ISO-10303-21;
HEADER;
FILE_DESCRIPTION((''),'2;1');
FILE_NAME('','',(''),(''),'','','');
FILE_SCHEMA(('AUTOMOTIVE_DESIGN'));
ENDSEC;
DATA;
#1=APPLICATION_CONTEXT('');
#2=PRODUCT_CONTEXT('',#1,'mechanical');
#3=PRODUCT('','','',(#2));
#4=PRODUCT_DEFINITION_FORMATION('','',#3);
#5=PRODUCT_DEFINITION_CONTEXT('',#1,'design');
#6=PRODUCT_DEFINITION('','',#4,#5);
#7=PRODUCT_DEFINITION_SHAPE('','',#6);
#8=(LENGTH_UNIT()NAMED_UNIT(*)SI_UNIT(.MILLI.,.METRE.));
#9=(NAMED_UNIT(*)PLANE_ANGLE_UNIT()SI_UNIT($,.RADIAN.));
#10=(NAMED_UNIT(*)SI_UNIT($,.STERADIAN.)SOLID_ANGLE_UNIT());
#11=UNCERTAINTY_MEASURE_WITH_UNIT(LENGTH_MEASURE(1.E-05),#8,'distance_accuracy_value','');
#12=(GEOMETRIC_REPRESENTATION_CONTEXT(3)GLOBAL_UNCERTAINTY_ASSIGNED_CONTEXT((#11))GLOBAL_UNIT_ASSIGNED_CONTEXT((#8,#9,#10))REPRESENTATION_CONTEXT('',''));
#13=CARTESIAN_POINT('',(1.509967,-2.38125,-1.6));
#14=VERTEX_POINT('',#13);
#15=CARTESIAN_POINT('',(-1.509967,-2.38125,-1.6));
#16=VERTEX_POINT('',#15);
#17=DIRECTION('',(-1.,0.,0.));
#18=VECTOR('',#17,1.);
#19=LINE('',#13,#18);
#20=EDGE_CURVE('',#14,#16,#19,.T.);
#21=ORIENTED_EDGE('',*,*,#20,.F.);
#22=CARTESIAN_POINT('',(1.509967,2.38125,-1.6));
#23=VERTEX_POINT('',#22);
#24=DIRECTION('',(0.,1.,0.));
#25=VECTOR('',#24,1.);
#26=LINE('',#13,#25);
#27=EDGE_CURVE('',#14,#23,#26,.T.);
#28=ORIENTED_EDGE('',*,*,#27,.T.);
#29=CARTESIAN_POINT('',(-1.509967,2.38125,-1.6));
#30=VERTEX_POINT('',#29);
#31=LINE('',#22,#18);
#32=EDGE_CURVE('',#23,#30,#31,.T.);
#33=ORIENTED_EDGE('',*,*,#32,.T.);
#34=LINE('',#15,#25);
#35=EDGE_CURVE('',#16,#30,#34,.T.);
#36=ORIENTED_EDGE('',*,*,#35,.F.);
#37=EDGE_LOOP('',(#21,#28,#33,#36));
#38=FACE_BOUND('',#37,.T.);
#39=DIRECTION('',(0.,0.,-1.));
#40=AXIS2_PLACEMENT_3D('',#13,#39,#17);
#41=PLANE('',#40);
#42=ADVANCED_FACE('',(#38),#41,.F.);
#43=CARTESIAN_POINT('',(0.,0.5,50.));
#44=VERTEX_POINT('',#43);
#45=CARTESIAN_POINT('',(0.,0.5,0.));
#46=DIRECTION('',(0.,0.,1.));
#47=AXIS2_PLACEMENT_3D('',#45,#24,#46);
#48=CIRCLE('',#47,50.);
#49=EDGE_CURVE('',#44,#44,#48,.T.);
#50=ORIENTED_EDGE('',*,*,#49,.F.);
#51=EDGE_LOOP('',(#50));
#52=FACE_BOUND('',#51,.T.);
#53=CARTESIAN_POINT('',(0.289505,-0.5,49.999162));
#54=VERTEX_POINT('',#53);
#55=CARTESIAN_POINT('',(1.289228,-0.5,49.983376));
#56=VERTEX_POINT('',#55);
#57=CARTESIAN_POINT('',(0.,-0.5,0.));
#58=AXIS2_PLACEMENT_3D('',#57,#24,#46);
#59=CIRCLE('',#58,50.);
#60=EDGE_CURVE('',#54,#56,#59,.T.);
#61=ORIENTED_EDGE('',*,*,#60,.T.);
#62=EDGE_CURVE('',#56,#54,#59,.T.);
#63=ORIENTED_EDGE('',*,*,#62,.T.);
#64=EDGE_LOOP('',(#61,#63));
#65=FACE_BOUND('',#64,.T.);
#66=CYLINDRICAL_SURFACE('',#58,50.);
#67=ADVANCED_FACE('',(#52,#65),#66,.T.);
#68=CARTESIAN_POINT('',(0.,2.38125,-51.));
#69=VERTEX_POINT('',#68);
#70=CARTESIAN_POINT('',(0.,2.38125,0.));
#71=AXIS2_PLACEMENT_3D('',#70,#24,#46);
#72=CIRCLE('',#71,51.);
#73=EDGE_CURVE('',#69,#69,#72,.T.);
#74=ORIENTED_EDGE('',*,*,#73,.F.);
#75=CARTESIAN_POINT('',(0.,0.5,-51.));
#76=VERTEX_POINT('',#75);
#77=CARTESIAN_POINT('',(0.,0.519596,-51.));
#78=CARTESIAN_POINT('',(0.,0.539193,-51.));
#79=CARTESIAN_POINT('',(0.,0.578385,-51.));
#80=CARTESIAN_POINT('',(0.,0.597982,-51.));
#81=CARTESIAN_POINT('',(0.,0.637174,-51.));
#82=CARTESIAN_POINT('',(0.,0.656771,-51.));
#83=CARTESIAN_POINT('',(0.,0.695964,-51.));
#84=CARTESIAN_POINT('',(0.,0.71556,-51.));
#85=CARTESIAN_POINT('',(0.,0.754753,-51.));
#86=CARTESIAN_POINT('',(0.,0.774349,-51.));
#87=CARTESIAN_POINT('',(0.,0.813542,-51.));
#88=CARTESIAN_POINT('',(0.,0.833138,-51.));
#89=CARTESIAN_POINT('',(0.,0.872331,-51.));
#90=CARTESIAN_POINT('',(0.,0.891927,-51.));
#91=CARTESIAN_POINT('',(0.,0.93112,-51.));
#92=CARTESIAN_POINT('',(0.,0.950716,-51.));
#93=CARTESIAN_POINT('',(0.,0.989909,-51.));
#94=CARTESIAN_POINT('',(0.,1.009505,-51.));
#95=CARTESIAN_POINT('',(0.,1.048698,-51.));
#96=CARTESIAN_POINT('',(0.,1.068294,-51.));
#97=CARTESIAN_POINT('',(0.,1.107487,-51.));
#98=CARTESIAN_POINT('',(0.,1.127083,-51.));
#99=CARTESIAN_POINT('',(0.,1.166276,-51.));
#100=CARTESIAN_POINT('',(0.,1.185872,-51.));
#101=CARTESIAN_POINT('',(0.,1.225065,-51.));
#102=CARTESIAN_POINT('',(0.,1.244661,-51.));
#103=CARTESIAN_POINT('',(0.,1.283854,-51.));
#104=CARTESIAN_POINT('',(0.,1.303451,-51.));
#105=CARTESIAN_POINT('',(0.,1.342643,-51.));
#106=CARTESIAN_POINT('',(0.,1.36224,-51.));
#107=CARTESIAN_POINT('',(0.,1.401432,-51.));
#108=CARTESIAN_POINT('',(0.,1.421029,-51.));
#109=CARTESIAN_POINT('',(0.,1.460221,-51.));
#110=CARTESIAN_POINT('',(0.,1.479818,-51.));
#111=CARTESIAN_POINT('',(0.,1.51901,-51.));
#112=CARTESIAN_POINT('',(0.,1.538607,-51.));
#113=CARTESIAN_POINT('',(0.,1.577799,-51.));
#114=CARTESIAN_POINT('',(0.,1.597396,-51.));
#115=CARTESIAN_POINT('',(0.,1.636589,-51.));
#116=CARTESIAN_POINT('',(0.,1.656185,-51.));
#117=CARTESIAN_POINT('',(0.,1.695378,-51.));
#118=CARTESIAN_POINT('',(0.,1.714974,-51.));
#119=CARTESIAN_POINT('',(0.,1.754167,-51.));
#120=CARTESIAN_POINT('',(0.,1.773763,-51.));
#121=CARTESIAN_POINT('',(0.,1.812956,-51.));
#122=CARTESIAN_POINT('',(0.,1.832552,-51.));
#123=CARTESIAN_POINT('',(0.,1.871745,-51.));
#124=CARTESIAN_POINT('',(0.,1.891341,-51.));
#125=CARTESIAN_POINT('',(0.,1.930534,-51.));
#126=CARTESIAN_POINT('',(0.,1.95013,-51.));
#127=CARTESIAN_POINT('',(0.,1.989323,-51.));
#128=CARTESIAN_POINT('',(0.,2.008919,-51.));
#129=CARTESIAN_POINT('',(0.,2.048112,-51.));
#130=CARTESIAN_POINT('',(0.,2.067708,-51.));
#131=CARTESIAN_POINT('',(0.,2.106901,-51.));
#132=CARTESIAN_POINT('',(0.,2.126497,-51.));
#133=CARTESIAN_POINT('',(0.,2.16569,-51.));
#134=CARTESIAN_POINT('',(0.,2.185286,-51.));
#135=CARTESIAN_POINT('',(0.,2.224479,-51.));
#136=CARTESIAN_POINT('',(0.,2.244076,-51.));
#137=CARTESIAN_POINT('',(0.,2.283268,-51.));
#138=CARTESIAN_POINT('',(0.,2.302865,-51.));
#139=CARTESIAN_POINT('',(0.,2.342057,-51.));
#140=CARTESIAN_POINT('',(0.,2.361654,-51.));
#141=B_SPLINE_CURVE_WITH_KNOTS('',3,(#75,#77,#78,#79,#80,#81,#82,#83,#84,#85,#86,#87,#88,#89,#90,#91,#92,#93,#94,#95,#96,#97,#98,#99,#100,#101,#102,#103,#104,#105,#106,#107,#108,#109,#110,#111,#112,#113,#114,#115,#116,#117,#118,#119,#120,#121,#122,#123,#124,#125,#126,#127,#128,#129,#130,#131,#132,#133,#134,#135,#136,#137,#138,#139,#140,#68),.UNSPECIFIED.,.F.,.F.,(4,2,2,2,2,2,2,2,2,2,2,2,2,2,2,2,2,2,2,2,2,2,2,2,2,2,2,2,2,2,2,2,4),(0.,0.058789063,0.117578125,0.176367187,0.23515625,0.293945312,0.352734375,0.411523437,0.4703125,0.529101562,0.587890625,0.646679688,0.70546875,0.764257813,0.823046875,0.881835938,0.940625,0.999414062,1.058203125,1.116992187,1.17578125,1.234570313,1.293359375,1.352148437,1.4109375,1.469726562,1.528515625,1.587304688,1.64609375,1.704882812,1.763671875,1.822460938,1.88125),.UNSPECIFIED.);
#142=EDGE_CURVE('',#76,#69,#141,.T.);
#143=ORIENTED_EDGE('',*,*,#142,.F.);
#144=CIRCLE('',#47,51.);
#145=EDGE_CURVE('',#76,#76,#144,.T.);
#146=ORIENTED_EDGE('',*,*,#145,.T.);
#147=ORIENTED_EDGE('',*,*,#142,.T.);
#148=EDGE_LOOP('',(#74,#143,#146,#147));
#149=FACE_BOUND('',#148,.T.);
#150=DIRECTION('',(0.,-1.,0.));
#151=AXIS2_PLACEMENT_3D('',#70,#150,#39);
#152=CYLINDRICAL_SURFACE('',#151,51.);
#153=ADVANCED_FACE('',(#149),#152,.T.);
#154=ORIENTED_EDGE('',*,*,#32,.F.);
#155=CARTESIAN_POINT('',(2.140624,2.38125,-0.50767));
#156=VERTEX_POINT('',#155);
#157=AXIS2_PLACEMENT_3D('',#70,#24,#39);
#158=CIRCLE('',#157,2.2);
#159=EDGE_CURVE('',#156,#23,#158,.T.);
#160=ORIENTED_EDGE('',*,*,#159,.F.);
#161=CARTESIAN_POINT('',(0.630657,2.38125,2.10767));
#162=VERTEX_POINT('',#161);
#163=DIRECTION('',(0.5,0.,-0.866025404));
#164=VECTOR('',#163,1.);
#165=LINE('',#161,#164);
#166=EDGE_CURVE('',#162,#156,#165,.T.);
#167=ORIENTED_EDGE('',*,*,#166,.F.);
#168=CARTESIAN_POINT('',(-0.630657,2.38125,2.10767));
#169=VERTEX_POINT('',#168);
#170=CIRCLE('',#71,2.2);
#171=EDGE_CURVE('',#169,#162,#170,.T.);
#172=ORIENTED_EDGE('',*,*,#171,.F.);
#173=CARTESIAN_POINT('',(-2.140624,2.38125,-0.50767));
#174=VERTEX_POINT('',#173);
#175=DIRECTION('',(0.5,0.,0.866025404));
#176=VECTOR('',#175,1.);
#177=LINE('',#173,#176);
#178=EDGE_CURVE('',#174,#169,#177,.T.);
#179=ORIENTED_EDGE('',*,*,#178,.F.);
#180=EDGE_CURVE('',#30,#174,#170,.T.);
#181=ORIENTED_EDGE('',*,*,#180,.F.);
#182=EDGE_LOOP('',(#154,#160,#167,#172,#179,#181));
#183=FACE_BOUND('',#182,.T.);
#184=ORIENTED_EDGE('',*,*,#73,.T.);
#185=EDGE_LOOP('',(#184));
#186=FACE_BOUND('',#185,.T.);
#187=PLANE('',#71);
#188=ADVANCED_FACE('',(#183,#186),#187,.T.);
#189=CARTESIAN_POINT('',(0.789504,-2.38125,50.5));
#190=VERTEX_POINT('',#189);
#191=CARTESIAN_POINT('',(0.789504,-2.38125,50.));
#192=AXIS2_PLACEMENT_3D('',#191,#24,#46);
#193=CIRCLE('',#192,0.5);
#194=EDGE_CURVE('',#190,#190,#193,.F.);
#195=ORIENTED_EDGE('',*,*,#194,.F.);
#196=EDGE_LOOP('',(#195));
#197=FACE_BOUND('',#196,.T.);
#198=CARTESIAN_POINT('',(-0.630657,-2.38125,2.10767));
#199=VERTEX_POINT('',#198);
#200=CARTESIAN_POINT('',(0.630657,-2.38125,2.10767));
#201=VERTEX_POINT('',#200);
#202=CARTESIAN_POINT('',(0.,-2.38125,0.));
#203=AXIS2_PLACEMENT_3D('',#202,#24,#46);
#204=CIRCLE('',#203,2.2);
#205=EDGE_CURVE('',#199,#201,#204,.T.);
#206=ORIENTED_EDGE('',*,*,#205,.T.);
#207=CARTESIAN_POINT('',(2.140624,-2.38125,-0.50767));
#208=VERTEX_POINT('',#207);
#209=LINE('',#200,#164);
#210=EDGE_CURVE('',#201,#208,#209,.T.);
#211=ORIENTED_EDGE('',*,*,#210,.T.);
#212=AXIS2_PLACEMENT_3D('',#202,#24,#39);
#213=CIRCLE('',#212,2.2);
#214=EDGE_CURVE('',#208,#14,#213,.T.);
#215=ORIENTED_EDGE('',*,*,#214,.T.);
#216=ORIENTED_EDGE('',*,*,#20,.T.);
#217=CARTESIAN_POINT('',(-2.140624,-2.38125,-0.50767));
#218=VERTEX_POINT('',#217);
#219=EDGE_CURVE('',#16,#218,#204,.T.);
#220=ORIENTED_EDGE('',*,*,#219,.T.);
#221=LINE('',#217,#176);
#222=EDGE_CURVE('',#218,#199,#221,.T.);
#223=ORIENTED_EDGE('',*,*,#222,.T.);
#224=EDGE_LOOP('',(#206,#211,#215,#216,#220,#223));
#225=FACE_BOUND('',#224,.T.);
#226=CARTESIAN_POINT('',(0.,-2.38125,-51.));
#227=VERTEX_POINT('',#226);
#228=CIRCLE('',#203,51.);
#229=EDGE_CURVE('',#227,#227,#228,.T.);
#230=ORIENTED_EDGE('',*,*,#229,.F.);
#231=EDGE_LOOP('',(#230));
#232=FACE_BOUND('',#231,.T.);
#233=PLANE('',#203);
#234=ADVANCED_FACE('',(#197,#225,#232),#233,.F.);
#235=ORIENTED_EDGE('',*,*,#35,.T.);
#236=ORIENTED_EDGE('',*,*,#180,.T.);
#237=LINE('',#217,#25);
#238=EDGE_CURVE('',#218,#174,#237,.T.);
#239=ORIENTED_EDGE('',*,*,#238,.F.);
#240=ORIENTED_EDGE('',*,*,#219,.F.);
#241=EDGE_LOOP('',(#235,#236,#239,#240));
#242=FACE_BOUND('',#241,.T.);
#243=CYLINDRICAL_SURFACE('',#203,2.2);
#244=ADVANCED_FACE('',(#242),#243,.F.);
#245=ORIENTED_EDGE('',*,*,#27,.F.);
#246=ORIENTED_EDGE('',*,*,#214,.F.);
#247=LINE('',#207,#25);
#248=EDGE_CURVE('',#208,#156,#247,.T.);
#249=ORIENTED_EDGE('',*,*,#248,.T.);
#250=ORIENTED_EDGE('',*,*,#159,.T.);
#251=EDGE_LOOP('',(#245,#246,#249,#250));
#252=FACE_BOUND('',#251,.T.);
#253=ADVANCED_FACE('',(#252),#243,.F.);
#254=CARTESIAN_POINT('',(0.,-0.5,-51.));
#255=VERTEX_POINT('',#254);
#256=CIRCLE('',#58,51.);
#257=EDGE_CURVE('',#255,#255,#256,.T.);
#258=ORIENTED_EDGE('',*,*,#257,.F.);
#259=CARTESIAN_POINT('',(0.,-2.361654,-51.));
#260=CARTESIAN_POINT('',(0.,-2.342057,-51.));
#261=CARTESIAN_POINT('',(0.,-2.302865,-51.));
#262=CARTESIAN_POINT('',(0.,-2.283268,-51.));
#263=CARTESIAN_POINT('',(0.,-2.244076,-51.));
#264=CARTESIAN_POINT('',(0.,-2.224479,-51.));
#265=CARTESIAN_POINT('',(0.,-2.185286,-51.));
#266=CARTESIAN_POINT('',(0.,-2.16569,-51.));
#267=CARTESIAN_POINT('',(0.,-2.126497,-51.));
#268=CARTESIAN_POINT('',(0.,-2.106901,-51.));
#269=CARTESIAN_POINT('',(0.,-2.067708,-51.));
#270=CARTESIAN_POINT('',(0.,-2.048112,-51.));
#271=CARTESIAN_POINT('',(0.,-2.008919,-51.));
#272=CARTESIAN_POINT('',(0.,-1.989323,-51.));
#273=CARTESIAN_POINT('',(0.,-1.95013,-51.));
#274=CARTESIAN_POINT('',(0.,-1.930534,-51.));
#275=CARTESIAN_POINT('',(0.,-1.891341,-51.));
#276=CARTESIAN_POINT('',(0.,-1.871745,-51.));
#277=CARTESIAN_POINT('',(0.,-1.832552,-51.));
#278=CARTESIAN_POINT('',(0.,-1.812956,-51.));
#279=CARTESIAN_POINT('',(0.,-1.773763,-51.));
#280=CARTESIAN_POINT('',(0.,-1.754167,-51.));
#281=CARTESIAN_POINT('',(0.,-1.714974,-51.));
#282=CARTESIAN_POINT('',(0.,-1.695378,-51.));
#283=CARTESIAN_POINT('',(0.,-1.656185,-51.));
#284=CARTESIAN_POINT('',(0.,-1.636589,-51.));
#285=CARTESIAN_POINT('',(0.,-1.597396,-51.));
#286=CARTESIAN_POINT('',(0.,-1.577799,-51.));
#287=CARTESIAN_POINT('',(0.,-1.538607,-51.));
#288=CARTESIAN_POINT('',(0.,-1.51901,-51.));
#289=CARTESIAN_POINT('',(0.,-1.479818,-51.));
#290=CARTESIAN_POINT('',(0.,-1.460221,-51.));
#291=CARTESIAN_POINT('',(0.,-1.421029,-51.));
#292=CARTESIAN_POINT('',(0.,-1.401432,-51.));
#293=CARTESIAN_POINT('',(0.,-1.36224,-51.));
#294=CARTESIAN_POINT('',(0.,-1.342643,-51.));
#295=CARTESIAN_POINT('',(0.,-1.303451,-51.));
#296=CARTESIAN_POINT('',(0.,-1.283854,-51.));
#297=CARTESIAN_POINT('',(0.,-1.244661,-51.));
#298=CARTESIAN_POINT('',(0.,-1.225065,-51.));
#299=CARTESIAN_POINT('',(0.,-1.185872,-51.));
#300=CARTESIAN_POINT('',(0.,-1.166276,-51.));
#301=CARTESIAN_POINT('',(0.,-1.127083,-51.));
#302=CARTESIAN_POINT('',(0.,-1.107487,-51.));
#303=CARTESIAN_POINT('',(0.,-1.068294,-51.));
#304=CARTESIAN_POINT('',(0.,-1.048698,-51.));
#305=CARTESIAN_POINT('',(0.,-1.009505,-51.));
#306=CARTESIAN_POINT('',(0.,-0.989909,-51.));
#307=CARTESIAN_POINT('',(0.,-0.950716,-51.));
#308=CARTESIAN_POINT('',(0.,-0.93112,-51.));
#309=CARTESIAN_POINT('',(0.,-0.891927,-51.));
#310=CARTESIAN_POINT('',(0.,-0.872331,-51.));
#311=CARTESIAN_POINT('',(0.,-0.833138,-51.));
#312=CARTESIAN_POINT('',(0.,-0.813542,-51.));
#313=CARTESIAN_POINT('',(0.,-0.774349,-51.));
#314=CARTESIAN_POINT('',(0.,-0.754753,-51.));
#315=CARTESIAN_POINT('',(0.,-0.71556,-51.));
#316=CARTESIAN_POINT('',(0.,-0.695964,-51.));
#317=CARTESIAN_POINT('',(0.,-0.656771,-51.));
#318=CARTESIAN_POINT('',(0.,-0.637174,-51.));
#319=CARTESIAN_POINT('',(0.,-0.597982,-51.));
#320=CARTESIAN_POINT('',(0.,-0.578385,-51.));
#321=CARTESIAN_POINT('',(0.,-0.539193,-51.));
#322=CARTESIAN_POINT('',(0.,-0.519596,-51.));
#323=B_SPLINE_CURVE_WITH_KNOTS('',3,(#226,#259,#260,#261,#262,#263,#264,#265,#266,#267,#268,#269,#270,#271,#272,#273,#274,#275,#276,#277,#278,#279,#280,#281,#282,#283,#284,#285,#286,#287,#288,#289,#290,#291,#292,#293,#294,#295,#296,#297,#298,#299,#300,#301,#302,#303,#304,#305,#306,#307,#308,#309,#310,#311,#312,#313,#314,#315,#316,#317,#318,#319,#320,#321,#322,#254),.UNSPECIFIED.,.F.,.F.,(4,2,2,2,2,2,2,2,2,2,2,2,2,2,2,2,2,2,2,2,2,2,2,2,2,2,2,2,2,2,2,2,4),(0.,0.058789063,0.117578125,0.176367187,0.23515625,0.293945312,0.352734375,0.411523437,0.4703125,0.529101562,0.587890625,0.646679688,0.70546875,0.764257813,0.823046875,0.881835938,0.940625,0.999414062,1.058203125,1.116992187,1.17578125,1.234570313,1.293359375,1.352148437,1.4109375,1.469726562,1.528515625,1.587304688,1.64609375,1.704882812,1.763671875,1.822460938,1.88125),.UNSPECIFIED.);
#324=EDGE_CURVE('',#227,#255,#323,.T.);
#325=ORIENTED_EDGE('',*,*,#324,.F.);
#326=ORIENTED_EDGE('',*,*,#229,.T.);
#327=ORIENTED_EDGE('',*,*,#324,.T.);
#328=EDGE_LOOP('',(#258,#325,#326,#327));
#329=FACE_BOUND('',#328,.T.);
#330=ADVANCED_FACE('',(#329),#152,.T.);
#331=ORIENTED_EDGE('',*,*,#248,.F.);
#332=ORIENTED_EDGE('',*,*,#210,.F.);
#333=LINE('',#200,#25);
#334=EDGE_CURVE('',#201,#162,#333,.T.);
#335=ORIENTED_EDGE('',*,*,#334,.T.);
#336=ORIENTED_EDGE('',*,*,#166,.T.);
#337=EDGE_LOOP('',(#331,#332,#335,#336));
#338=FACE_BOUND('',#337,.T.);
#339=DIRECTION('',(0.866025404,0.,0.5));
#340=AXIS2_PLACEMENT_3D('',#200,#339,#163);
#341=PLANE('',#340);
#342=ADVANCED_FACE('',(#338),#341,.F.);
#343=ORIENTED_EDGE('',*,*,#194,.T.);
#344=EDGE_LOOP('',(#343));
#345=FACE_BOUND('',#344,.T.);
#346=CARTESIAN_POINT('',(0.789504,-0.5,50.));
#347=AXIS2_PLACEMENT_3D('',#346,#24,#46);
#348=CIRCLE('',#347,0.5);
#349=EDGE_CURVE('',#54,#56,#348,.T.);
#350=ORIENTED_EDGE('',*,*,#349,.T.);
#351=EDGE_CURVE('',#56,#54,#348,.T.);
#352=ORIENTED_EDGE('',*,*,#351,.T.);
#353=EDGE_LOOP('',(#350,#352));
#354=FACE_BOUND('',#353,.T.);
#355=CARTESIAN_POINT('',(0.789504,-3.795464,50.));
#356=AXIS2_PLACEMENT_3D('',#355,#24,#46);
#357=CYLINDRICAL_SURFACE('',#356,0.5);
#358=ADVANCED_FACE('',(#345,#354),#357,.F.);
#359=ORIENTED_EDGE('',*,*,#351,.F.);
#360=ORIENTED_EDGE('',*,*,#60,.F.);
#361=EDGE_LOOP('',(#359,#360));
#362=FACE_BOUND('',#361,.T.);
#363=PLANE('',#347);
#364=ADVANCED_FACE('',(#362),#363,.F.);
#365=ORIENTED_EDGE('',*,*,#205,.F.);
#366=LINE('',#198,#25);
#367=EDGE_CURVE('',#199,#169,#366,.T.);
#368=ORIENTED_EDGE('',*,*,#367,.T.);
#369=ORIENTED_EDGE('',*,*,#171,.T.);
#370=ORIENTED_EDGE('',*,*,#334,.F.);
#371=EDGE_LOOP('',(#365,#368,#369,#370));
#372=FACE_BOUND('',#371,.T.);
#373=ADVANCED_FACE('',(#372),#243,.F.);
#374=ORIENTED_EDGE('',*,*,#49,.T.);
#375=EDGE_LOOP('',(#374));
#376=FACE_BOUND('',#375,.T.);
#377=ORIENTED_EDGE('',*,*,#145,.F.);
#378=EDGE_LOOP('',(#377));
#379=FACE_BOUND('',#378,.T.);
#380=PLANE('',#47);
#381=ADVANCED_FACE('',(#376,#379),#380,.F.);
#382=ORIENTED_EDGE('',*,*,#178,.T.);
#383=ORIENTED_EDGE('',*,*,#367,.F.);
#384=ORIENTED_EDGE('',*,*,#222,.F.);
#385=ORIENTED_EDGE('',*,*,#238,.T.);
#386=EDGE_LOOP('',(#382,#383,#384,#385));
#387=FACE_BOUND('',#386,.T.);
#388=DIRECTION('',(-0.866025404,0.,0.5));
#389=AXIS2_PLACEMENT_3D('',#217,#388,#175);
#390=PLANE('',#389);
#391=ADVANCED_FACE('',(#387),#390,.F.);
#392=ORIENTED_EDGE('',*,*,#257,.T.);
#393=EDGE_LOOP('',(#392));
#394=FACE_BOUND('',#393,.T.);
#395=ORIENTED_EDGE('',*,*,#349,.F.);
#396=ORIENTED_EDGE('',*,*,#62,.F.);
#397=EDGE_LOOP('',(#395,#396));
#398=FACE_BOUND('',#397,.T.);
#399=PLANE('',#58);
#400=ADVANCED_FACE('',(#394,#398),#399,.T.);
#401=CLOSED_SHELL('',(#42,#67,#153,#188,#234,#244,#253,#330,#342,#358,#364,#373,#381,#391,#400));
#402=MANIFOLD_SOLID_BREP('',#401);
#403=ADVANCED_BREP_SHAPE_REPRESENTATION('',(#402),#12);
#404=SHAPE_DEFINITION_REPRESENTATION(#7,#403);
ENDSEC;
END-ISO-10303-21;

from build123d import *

# Parameters (mm, degrees)
ESBO_O1_R                = 51
RESSALTO_EXTRUS_O1_DEPTH = 2.38125
ESBO_O2_R                = 51
ESBO_O2_R_2              = 50
CORTE_EXTRUS_O1_DEPTH    = 0.5
ESBO_O3_R                = 0.5
CORTE_EXTRUS_O2_DEPTH    = 1.88125
CORTE_EXTRUS_O3_DEPTH    = 73.281957681


with BuildPart() as part:
    # Esboço1 → Ressalto-extrusão1 (new, symmetric)
    with BuildSketch(Plane(origin=(0, 0, 0), x_dir=(1, 0, 0), z_dir=(0, 1, 0))):
        with Locations(Location((0, 0, 0), (0, 0, 90))):
            Circle(ESBO_O1_R)
    extrude(amount=RESSALTO_EXTRUS_O1_DEPTH, both=True)

    # Esboço2 → Corte-extrusão1 (cut, symmetric)
    with BuildSketch(Plane(origin=(0, 0, 0), x_dir=(1, 0, 0), z_dir=(0, 1, 0))):
        with Locations(Location((0, 0, 0), (0, 0, 90))):
            Circle(ESBO_O2_R)
        with Locations(Location((0, 0, 0), (0, 0, 270))):
            Circle(ESBO_O2_R_2, mode=Mode.SUBTRACT)
    extrude(amount=CORTE_EXTRUS_O1_DEPTH, both=True, mode=Mode.SUBTRACT)

    # Esboço3 → Corte-extrusão2 (cut)
    with BuildSketch(Plane(origin=(0, -0.5, 0), x_dir=(1, 0, 0), z_dir=(0, 1, 0))):
        with Locations(Location((0.789504293, -50, 0), (0, 0, 270))):
            Circle(ESBO_O3_R)
    extrude(amount=-CORTE_EXTRUS_O2_DEPTH, mode=Mode.SUBTRACT)

    # Esboço4 → Corte-extrusão3 (cut, through all)
    with BuildSketch(Plane(origin=(0, 2.38125, 0), x_dir=(1, 0, 0), z_dir=(0, 1, 0))):
        with BuildLine():
            Line((-2.14062409, 0.507669683), (-0.630657203, -2.107669683))
            ThreePointArc((-0.630657203, -2.107669683), (0, -2.2), (0.630657203, -2.107669683))
            Line((0.630657203, -2.107669683), (2.14062409, 0.507669683))
            ThreePointArc((2.14062409, 0.507669683), (1.905255888, 1.1), (1.509966887, 1.6))
            Line((1.509966887, 1.6), (-1.509966887, 1.6))
            ThreePointArc((-1.509966887, 1.6), (-1.905255888, 1.1), (-2.14062409, 0.507669683))
        make_face()
    extrude(amount=-CORTE_EXTRUS_O3_DEPTH, mode=Mode.SUBTRACT)


solid = part.part
